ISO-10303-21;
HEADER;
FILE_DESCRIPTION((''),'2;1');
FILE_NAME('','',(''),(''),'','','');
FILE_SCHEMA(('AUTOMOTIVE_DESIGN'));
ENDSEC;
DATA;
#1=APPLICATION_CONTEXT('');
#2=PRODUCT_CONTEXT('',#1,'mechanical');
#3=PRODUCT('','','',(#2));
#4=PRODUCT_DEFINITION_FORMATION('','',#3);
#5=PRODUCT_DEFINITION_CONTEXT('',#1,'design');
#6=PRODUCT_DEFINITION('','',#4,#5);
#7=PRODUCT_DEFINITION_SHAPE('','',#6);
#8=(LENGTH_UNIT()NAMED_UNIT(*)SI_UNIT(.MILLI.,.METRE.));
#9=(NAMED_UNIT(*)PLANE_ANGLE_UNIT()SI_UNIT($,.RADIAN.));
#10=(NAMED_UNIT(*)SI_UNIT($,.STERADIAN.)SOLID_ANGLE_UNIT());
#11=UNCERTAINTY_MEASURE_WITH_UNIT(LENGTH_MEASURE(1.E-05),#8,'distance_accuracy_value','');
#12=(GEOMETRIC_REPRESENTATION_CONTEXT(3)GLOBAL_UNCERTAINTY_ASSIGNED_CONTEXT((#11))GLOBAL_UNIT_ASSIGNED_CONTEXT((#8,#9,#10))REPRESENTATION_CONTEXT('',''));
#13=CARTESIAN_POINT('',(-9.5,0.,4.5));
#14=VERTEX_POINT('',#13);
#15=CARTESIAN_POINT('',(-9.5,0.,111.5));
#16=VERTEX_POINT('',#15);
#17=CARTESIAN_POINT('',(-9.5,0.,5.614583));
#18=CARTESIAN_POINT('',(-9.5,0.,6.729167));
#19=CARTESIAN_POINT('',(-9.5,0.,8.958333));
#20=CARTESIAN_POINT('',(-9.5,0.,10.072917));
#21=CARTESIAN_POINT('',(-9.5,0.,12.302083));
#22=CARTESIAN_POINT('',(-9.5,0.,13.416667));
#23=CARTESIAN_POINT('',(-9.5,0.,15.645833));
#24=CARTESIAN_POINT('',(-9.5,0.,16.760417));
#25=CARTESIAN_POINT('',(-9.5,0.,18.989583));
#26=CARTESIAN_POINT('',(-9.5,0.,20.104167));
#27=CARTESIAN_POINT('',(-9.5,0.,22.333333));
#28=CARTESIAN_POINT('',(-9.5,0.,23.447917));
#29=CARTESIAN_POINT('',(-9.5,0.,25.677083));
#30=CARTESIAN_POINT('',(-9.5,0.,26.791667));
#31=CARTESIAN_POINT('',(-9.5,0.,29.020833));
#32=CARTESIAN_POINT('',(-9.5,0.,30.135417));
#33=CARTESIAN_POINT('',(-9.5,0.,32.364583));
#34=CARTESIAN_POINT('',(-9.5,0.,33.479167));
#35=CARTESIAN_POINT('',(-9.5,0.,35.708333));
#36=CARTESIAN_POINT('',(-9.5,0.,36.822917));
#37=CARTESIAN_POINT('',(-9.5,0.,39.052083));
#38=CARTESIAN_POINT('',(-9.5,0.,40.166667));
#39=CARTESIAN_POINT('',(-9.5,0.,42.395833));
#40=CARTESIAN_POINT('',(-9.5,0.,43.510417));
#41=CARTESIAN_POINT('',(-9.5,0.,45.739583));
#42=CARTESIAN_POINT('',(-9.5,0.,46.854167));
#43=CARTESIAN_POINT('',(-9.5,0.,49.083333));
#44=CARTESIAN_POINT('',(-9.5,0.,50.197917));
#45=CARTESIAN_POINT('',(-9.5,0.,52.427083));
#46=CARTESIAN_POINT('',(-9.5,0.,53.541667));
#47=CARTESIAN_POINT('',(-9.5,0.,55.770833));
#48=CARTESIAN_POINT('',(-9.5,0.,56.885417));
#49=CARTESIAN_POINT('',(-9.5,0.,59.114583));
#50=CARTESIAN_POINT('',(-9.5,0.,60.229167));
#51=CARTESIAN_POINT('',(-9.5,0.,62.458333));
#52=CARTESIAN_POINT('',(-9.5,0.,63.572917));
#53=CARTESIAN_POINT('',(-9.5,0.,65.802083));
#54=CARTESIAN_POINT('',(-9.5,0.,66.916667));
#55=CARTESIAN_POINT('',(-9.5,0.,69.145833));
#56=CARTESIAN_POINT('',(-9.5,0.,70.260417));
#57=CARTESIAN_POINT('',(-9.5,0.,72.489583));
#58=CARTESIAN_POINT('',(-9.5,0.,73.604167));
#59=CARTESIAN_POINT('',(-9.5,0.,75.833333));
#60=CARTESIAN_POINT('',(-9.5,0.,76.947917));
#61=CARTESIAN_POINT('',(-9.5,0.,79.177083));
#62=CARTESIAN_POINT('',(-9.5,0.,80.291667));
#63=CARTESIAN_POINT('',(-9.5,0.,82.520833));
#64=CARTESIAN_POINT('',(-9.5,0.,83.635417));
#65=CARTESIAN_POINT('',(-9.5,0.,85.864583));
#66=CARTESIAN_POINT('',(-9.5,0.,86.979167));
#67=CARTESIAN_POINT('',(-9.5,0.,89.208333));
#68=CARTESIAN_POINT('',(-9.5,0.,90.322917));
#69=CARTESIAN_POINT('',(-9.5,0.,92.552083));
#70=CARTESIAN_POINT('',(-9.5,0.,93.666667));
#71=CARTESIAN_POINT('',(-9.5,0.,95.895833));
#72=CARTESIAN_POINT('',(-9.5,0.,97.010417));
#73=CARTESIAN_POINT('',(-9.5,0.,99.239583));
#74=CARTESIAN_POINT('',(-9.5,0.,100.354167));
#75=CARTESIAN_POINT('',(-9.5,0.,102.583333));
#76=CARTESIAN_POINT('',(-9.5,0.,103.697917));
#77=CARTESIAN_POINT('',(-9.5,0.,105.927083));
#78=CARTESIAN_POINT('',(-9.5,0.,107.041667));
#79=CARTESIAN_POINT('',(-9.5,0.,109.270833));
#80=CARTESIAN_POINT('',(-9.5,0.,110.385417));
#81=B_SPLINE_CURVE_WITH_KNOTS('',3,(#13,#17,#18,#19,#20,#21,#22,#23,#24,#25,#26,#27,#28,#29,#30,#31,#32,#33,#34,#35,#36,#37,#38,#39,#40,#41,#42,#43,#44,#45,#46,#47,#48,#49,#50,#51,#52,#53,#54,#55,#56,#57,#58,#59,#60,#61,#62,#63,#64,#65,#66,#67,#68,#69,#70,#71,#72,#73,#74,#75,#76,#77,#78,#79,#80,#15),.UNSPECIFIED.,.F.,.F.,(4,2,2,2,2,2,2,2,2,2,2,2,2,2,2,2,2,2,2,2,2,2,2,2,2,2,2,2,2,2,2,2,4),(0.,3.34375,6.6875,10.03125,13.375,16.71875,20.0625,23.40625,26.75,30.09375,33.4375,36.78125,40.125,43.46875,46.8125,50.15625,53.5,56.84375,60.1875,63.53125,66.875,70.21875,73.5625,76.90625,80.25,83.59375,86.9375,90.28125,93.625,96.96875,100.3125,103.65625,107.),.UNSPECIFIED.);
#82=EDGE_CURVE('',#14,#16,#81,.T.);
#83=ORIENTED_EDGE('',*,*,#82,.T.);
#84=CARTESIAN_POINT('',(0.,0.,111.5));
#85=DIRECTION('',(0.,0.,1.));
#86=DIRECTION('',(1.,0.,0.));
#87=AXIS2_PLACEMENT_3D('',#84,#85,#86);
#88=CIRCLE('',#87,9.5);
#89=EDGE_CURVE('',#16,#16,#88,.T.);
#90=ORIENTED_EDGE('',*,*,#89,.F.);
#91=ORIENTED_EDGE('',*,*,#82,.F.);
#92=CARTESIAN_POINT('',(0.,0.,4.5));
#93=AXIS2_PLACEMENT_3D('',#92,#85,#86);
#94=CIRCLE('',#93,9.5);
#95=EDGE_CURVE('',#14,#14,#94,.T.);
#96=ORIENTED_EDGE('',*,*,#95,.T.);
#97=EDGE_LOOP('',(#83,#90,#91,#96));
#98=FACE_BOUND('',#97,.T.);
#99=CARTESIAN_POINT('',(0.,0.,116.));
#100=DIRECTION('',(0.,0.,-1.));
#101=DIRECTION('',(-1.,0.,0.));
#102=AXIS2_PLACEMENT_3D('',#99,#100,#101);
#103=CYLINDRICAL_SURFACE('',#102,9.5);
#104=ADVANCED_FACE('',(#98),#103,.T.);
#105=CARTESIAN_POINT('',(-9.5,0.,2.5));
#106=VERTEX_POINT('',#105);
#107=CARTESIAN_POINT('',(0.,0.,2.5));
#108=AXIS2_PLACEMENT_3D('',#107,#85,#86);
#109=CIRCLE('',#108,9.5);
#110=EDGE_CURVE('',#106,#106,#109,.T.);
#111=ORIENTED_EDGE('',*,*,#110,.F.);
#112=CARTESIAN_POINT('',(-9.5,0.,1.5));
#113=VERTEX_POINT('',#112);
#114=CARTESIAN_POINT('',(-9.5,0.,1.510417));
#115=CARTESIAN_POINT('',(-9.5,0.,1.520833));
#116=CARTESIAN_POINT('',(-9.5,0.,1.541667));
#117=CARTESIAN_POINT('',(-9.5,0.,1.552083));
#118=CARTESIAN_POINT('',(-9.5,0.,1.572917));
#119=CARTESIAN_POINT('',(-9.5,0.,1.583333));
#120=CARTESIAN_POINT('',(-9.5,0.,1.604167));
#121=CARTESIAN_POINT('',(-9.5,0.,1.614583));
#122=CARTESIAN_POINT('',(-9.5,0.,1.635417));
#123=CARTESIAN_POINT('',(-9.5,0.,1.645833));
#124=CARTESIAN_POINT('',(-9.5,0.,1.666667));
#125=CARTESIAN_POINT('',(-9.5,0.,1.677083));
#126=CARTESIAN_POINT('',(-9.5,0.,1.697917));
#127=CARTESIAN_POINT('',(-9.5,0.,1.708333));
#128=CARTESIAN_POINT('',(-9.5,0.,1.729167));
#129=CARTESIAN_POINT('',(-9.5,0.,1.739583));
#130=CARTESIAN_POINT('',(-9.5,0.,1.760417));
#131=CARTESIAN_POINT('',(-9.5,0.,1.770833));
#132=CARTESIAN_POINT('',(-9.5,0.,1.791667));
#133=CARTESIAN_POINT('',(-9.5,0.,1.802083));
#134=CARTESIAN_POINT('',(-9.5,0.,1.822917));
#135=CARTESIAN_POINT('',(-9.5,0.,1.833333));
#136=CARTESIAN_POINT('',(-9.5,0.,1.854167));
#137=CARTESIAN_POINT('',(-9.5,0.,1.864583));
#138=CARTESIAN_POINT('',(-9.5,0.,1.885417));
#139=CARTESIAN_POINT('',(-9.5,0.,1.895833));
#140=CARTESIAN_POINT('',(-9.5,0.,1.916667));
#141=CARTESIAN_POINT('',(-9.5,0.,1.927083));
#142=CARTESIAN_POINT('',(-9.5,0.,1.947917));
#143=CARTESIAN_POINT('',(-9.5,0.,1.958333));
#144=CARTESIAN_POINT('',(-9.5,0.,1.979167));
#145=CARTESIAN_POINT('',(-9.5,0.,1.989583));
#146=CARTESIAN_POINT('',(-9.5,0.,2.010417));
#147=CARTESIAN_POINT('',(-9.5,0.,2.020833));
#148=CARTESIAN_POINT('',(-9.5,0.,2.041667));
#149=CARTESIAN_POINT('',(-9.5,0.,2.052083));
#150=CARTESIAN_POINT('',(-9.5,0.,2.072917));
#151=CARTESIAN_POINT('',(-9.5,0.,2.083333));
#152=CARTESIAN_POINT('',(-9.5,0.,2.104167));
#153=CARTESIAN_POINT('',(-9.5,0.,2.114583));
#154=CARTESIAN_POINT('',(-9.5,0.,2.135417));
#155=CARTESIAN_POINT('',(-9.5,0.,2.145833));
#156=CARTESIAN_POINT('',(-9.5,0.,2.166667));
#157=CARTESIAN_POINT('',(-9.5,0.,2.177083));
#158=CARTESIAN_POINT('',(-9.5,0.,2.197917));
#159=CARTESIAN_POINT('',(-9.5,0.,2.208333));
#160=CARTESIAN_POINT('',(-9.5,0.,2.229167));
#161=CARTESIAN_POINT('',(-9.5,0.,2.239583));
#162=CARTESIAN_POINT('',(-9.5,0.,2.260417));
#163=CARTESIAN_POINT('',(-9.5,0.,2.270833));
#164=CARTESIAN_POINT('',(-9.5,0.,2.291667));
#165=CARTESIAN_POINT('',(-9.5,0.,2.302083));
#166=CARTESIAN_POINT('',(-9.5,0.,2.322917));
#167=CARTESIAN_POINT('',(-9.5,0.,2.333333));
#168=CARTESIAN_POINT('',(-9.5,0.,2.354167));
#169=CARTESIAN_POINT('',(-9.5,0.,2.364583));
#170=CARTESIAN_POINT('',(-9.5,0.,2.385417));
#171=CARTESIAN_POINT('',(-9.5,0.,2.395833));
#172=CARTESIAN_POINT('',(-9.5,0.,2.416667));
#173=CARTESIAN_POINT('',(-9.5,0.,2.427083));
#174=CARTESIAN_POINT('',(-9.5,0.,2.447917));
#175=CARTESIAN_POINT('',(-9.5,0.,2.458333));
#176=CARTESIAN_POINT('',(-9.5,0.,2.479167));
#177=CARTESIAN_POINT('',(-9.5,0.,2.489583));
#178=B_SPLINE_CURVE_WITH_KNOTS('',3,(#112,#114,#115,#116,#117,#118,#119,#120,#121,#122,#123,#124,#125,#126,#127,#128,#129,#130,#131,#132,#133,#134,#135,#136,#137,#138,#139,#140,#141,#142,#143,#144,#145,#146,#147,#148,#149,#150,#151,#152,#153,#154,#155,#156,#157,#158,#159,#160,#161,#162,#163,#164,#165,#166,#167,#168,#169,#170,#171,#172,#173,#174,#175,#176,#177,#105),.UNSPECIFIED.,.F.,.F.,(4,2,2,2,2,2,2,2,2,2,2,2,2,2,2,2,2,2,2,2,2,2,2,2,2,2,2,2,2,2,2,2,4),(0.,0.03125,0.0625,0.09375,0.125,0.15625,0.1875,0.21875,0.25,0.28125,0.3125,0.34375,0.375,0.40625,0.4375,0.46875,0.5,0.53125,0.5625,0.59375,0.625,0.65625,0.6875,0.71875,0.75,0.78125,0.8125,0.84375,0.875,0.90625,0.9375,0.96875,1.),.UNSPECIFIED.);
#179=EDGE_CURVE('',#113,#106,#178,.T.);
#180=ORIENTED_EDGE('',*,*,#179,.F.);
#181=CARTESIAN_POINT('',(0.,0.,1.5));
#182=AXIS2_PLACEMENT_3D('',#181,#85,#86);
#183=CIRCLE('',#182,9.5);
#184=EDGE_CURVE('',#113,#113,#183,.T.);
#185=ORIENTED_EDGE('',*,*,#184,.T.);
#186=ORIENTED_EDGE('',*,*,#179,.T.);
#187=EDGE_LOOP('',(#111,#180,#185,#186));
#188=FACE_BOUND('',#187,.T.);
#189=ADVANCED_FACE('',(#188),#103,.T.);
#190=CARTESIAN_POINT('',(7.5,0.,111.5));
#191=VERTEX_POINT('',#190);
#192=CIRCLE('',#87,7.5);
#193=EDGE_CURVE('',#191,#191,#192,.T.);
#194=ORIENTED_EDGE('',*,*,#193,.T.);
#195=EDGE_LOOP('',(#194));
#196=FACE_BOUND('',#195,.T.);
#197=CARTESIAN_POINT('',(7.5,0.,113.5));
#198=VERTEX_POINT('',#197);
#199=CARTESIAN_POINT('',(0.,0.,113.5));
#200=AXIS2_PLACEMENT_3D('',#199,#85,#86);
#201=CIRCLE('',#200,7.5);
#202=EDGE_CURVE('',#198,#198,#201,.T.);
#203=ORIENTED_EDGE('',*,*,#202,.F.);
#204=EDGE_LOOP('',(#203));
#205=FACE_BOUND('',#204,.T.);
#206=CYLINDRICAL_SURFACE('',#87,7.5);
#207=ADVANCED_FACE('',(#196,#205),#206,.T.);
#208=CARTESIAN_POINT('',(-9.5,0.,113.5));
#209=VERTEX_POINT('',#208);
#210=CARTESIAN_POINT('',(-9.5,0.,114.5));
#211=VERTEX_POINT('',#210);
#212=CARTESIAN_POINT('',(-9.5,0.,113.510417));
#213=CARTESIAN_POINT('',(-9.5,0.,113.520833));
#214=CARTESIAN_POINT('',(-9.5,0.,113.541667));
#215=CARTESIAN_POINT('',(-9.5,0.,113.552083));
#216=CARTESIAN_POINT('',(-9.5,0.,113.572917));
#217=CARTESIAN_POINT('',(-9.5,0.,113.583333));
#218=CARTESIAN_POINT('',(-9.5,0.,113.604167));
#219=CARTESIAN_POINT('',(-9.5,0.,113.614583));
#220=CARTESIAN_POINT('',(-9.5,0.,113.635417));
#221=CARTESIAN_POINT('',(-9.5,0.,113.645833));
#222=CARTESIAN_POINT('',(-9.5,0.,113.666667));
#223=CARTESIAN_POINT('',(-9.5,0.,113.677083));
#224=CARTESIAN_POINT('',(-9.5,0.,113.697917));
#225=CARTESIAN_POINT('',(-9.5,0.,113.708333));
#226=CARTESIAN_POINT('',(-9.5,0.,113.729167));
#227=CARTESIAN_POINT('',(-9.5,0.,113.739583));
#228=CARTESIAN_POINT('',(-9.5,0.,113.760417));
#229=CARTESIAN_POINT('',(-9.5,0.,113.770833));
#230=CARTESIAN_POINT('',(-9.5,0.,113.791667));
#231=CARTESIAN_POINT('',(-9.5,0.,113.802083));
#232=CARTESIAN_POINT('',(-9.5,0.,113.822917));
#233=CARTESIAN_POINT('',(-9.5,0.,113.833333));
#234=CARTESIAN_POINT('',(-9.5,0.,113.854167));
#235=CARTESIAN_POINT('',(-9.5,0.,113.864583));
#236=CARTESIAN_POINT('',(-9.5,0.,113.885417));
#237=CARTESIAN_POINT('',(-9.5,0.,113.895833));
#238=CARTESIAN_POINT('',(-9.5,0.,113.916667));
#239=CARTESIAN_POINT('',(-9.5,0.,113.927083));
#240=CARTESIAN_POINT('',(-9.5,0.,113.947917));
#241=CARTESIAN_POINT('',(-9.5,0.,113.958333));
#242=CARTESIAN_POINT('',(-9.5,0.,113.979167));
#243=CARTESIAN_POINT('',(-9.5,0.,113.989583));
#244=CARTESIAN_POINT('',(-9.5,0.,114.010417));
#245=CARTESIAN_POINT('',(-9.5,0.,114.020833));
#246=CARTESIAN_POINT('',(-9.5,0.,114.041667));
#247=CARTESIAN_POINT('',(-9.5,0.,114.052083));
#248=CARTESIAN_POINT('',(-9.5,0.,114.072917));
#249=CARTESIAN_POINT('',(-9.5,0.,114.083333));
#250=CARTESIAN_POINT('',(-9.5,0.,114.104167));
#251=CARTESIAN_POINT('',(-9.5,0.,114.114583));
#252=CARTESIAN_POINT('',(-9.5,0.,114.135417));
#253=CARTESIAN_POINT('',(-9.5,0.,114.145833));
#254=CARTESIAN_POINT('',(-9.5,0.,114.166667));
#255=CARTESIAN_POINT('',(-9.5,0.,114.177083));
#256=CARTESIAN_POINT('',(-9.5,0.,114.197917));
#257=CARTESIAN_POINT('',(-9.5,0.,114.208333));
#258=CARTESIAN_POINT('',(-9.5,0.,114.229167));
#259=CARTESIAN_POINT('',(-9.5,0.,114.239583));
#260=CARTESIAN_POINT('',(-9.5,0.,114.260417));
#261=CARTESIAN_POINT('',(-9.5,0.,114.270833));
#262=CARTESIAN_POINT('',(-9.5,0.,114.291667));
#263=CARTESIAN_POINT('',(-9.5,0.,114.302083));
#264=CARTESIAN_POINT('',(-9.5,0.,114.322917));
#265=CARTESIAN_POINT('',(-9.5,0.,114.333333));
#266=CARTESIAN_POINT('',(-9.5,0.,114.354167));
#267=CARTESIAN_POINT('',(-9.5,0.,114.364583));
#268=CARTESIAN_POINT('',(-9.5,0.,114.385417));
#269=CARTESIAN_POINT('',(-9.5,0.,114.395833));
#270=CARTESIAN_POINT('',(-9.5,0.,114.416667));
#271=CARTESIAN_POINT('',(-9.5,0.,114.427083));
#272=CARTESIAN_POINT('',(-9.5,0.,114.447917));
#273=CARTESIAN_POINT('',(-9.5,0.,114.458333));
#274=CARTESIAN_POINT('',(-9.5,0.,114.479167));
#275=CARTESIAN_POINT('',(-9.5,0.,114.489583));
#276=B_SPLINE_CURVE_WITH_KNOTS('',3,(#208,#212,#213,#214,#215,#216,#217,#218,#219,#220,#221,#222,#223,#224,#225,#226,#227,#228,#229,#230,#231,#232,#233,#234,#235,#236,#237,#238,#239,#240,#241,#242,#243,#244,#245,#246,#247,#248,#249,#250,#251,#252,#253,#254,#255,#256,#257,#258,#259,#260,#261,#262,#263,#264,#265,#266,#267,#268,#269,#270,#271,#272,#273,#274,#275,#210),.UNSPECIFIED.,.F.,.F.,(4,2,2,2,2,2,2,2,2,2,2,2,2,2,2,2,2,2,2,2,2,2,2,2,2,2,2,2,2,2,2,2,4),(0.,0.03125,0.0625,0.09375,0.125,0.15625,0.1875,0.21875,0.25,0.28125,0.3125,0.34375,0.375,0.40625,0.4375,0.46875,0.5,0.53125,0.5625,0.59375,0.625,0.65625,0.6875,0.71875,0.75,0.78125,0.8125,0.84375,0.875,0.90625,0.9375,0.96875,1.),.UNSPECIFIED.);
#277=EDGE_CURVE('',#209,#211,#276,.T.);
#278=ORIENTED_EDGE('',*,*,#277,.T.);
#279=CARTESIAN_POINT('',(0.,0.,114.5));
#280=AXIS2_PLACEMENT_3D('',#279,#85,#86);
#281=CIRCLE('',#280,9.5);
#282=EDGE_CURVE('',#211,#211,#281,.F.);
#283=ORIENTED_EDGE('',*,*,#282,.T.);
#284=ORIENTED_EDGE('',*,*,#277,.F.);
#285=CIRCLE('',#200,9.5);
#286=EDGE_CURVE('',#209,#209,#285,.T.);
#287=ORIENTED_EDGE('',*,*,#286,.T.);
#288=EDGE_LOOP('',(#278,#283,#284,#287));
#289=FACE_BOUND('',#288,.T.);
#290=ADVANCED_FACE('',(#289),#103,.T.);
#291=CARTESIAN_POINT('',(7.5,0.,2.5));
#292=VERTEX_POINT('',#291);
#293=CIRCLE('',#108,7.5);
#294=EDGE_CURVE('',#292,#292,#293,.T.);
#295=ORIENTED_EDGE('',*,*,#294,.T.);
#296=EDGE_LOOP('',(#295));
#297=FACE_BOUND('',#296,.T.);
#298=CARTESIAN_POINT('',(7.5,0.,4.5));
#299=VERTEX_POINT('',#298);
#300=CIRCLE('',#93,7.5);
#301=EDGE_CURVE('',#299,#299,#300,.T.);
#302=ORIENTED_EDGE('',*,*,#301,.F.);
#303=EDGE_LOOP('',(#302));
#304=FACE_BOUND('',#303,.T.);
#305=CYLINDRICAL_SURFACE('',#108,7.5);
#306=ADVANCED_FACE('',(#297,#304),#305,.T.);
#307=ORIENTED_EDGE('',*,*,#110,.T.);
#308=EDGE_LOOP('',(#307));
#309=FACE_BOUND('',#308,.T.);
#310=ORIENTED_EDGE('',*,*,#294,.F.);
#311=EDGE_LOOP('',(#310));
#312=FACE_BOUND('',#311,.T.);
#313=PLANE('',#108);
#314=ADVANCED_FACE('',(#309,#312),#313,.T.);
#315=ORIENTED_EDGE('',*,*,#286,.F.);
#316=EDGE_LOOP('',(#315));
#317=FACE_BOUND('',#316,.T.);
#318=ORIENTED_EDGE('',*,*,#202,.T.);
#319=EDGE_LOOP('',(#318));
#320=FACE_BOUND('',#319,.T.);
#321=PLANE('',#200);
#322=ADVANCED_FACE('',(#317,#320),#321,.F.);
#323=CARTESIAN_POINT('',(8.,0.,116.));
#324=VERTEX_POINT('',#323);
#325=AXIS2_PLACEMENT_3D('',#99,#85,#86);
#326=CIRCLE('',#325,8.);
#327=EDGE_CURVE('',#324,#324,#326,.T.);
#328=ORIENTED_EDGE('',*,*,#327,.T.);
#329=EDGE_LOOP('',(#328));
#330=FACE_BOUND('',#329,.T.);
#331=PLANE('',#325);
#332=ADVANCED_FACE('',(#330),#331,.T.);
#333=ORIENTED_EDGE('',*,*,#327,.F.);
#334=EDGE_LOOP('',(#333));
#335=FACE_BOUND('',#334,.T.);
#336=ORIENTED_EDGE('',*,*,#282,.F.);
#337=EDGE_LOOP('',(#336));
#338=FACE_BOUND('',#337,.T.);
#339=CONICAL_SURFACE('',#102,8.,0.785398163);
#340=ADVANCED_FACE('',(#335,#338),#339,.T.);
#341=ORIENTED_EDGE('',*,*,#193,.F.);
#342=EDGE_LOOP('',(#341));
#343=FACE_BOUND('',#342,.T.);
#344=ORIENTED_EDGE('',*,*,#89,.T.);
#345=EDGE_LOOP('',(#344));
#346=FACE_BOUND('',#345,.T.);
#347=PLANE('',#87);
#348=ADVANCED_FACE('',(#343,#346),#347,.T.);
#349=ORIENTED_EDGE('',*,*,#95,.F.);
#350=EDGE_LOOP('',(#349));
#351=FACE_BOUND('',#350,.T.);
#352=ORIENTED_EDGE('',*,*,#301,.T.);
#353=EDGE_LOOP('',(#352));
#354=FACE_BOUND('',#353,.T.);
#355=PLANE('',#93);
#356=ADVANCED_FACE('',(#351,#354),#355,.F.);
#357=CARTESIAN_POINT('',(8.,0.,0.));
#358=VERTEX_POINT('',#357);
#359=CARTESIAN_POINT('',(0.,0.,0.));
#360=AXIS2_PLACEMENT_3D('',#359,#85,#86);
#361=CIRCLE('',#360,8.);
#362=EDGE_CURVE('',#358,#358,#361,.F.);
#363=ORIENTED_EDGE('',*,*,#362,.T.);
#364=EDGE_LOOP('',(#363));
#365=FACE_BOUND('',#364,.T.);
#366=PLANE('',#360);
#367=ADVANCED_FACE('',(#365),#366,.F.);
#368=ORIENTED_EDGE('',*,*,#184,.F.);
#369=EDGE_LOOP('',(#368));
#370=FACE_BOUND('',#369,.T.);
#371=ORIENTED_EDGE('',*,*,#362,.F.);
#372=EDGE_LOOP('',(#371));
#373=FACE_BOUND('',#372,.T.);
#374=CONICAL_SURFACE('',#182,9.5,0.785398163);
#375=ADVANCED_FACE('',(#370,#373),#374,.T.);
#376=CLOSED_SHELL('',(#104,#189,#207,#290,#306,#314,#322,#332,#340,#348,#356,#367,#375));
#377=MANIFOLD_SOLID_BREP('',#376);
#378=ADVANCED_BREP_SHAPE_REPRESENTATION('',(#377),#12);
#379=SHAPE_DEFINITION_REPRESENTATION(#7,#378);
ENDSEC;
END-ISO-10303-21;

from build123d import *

# Parameters (mm, degrees)
ESQUISSE1_R                = 9.5
BASE_EXTRUSION_DEPTH       = 116
CHANFREIN1_SIZE            = 1.5
ESQUISSE2_R                = 12
ESQUISSE2_R_2              = 7.5
ENL_V_MAT_EXTRU_1_DEPTH    = 2
R_P_TITION_LIN_AIRE1_COUNT = 2
R_P_TITION_LIN_AIRE1_PITCH = 109


with BuildPart() as part:
    # Esquisse1 → Base-Extrusion (new body)
    with BuildSketch(Plane.XY):
        with Locations(Location((0, 0, 0), (0, 0, 180))):
            Circle(ESQUISSE1_R)
    extrude(amount=BASE_EXTRUSION_DEPTH)

    # Chanfrein1
    chanfrein1_edges = [part.edges().sort_by_distance(p)[0] for p in [
        (9.5, 0, 0),
        (9.5, 0, 116),
    ]]
    chamfer(chanfrein1_edges, length=CHANFREIN1_SIZE)

    # Esquisse2 → Enlèv. mat.-Extru.1 (cut)
    with BuildSketch(Plane.XY.offset(113.5)):
        Circle(ESQUISSE2_R)
        Circle(ESQUISSE2_R_2, mode=Mode.SUBTRACT)
    enl_v_mat_extru_1 = extrude(amount=-ENL_V_MAT_EXTRU_1_DEPTH, mode=Mode.SUBTRACT)

    # Répétition linéaire1: Enlèv. mat.-Extru.1 ×2
    with Locations(*[(0, 0, -i * R_P_TITION_LIN_AIRE1_PITCH) for i in range(1, R_P_TITION_LIN_AIRE1_COUNT)]):
        add(enl_v_mat_extru_1, mode=Mode.SUBTRACT)


solid = part.part
